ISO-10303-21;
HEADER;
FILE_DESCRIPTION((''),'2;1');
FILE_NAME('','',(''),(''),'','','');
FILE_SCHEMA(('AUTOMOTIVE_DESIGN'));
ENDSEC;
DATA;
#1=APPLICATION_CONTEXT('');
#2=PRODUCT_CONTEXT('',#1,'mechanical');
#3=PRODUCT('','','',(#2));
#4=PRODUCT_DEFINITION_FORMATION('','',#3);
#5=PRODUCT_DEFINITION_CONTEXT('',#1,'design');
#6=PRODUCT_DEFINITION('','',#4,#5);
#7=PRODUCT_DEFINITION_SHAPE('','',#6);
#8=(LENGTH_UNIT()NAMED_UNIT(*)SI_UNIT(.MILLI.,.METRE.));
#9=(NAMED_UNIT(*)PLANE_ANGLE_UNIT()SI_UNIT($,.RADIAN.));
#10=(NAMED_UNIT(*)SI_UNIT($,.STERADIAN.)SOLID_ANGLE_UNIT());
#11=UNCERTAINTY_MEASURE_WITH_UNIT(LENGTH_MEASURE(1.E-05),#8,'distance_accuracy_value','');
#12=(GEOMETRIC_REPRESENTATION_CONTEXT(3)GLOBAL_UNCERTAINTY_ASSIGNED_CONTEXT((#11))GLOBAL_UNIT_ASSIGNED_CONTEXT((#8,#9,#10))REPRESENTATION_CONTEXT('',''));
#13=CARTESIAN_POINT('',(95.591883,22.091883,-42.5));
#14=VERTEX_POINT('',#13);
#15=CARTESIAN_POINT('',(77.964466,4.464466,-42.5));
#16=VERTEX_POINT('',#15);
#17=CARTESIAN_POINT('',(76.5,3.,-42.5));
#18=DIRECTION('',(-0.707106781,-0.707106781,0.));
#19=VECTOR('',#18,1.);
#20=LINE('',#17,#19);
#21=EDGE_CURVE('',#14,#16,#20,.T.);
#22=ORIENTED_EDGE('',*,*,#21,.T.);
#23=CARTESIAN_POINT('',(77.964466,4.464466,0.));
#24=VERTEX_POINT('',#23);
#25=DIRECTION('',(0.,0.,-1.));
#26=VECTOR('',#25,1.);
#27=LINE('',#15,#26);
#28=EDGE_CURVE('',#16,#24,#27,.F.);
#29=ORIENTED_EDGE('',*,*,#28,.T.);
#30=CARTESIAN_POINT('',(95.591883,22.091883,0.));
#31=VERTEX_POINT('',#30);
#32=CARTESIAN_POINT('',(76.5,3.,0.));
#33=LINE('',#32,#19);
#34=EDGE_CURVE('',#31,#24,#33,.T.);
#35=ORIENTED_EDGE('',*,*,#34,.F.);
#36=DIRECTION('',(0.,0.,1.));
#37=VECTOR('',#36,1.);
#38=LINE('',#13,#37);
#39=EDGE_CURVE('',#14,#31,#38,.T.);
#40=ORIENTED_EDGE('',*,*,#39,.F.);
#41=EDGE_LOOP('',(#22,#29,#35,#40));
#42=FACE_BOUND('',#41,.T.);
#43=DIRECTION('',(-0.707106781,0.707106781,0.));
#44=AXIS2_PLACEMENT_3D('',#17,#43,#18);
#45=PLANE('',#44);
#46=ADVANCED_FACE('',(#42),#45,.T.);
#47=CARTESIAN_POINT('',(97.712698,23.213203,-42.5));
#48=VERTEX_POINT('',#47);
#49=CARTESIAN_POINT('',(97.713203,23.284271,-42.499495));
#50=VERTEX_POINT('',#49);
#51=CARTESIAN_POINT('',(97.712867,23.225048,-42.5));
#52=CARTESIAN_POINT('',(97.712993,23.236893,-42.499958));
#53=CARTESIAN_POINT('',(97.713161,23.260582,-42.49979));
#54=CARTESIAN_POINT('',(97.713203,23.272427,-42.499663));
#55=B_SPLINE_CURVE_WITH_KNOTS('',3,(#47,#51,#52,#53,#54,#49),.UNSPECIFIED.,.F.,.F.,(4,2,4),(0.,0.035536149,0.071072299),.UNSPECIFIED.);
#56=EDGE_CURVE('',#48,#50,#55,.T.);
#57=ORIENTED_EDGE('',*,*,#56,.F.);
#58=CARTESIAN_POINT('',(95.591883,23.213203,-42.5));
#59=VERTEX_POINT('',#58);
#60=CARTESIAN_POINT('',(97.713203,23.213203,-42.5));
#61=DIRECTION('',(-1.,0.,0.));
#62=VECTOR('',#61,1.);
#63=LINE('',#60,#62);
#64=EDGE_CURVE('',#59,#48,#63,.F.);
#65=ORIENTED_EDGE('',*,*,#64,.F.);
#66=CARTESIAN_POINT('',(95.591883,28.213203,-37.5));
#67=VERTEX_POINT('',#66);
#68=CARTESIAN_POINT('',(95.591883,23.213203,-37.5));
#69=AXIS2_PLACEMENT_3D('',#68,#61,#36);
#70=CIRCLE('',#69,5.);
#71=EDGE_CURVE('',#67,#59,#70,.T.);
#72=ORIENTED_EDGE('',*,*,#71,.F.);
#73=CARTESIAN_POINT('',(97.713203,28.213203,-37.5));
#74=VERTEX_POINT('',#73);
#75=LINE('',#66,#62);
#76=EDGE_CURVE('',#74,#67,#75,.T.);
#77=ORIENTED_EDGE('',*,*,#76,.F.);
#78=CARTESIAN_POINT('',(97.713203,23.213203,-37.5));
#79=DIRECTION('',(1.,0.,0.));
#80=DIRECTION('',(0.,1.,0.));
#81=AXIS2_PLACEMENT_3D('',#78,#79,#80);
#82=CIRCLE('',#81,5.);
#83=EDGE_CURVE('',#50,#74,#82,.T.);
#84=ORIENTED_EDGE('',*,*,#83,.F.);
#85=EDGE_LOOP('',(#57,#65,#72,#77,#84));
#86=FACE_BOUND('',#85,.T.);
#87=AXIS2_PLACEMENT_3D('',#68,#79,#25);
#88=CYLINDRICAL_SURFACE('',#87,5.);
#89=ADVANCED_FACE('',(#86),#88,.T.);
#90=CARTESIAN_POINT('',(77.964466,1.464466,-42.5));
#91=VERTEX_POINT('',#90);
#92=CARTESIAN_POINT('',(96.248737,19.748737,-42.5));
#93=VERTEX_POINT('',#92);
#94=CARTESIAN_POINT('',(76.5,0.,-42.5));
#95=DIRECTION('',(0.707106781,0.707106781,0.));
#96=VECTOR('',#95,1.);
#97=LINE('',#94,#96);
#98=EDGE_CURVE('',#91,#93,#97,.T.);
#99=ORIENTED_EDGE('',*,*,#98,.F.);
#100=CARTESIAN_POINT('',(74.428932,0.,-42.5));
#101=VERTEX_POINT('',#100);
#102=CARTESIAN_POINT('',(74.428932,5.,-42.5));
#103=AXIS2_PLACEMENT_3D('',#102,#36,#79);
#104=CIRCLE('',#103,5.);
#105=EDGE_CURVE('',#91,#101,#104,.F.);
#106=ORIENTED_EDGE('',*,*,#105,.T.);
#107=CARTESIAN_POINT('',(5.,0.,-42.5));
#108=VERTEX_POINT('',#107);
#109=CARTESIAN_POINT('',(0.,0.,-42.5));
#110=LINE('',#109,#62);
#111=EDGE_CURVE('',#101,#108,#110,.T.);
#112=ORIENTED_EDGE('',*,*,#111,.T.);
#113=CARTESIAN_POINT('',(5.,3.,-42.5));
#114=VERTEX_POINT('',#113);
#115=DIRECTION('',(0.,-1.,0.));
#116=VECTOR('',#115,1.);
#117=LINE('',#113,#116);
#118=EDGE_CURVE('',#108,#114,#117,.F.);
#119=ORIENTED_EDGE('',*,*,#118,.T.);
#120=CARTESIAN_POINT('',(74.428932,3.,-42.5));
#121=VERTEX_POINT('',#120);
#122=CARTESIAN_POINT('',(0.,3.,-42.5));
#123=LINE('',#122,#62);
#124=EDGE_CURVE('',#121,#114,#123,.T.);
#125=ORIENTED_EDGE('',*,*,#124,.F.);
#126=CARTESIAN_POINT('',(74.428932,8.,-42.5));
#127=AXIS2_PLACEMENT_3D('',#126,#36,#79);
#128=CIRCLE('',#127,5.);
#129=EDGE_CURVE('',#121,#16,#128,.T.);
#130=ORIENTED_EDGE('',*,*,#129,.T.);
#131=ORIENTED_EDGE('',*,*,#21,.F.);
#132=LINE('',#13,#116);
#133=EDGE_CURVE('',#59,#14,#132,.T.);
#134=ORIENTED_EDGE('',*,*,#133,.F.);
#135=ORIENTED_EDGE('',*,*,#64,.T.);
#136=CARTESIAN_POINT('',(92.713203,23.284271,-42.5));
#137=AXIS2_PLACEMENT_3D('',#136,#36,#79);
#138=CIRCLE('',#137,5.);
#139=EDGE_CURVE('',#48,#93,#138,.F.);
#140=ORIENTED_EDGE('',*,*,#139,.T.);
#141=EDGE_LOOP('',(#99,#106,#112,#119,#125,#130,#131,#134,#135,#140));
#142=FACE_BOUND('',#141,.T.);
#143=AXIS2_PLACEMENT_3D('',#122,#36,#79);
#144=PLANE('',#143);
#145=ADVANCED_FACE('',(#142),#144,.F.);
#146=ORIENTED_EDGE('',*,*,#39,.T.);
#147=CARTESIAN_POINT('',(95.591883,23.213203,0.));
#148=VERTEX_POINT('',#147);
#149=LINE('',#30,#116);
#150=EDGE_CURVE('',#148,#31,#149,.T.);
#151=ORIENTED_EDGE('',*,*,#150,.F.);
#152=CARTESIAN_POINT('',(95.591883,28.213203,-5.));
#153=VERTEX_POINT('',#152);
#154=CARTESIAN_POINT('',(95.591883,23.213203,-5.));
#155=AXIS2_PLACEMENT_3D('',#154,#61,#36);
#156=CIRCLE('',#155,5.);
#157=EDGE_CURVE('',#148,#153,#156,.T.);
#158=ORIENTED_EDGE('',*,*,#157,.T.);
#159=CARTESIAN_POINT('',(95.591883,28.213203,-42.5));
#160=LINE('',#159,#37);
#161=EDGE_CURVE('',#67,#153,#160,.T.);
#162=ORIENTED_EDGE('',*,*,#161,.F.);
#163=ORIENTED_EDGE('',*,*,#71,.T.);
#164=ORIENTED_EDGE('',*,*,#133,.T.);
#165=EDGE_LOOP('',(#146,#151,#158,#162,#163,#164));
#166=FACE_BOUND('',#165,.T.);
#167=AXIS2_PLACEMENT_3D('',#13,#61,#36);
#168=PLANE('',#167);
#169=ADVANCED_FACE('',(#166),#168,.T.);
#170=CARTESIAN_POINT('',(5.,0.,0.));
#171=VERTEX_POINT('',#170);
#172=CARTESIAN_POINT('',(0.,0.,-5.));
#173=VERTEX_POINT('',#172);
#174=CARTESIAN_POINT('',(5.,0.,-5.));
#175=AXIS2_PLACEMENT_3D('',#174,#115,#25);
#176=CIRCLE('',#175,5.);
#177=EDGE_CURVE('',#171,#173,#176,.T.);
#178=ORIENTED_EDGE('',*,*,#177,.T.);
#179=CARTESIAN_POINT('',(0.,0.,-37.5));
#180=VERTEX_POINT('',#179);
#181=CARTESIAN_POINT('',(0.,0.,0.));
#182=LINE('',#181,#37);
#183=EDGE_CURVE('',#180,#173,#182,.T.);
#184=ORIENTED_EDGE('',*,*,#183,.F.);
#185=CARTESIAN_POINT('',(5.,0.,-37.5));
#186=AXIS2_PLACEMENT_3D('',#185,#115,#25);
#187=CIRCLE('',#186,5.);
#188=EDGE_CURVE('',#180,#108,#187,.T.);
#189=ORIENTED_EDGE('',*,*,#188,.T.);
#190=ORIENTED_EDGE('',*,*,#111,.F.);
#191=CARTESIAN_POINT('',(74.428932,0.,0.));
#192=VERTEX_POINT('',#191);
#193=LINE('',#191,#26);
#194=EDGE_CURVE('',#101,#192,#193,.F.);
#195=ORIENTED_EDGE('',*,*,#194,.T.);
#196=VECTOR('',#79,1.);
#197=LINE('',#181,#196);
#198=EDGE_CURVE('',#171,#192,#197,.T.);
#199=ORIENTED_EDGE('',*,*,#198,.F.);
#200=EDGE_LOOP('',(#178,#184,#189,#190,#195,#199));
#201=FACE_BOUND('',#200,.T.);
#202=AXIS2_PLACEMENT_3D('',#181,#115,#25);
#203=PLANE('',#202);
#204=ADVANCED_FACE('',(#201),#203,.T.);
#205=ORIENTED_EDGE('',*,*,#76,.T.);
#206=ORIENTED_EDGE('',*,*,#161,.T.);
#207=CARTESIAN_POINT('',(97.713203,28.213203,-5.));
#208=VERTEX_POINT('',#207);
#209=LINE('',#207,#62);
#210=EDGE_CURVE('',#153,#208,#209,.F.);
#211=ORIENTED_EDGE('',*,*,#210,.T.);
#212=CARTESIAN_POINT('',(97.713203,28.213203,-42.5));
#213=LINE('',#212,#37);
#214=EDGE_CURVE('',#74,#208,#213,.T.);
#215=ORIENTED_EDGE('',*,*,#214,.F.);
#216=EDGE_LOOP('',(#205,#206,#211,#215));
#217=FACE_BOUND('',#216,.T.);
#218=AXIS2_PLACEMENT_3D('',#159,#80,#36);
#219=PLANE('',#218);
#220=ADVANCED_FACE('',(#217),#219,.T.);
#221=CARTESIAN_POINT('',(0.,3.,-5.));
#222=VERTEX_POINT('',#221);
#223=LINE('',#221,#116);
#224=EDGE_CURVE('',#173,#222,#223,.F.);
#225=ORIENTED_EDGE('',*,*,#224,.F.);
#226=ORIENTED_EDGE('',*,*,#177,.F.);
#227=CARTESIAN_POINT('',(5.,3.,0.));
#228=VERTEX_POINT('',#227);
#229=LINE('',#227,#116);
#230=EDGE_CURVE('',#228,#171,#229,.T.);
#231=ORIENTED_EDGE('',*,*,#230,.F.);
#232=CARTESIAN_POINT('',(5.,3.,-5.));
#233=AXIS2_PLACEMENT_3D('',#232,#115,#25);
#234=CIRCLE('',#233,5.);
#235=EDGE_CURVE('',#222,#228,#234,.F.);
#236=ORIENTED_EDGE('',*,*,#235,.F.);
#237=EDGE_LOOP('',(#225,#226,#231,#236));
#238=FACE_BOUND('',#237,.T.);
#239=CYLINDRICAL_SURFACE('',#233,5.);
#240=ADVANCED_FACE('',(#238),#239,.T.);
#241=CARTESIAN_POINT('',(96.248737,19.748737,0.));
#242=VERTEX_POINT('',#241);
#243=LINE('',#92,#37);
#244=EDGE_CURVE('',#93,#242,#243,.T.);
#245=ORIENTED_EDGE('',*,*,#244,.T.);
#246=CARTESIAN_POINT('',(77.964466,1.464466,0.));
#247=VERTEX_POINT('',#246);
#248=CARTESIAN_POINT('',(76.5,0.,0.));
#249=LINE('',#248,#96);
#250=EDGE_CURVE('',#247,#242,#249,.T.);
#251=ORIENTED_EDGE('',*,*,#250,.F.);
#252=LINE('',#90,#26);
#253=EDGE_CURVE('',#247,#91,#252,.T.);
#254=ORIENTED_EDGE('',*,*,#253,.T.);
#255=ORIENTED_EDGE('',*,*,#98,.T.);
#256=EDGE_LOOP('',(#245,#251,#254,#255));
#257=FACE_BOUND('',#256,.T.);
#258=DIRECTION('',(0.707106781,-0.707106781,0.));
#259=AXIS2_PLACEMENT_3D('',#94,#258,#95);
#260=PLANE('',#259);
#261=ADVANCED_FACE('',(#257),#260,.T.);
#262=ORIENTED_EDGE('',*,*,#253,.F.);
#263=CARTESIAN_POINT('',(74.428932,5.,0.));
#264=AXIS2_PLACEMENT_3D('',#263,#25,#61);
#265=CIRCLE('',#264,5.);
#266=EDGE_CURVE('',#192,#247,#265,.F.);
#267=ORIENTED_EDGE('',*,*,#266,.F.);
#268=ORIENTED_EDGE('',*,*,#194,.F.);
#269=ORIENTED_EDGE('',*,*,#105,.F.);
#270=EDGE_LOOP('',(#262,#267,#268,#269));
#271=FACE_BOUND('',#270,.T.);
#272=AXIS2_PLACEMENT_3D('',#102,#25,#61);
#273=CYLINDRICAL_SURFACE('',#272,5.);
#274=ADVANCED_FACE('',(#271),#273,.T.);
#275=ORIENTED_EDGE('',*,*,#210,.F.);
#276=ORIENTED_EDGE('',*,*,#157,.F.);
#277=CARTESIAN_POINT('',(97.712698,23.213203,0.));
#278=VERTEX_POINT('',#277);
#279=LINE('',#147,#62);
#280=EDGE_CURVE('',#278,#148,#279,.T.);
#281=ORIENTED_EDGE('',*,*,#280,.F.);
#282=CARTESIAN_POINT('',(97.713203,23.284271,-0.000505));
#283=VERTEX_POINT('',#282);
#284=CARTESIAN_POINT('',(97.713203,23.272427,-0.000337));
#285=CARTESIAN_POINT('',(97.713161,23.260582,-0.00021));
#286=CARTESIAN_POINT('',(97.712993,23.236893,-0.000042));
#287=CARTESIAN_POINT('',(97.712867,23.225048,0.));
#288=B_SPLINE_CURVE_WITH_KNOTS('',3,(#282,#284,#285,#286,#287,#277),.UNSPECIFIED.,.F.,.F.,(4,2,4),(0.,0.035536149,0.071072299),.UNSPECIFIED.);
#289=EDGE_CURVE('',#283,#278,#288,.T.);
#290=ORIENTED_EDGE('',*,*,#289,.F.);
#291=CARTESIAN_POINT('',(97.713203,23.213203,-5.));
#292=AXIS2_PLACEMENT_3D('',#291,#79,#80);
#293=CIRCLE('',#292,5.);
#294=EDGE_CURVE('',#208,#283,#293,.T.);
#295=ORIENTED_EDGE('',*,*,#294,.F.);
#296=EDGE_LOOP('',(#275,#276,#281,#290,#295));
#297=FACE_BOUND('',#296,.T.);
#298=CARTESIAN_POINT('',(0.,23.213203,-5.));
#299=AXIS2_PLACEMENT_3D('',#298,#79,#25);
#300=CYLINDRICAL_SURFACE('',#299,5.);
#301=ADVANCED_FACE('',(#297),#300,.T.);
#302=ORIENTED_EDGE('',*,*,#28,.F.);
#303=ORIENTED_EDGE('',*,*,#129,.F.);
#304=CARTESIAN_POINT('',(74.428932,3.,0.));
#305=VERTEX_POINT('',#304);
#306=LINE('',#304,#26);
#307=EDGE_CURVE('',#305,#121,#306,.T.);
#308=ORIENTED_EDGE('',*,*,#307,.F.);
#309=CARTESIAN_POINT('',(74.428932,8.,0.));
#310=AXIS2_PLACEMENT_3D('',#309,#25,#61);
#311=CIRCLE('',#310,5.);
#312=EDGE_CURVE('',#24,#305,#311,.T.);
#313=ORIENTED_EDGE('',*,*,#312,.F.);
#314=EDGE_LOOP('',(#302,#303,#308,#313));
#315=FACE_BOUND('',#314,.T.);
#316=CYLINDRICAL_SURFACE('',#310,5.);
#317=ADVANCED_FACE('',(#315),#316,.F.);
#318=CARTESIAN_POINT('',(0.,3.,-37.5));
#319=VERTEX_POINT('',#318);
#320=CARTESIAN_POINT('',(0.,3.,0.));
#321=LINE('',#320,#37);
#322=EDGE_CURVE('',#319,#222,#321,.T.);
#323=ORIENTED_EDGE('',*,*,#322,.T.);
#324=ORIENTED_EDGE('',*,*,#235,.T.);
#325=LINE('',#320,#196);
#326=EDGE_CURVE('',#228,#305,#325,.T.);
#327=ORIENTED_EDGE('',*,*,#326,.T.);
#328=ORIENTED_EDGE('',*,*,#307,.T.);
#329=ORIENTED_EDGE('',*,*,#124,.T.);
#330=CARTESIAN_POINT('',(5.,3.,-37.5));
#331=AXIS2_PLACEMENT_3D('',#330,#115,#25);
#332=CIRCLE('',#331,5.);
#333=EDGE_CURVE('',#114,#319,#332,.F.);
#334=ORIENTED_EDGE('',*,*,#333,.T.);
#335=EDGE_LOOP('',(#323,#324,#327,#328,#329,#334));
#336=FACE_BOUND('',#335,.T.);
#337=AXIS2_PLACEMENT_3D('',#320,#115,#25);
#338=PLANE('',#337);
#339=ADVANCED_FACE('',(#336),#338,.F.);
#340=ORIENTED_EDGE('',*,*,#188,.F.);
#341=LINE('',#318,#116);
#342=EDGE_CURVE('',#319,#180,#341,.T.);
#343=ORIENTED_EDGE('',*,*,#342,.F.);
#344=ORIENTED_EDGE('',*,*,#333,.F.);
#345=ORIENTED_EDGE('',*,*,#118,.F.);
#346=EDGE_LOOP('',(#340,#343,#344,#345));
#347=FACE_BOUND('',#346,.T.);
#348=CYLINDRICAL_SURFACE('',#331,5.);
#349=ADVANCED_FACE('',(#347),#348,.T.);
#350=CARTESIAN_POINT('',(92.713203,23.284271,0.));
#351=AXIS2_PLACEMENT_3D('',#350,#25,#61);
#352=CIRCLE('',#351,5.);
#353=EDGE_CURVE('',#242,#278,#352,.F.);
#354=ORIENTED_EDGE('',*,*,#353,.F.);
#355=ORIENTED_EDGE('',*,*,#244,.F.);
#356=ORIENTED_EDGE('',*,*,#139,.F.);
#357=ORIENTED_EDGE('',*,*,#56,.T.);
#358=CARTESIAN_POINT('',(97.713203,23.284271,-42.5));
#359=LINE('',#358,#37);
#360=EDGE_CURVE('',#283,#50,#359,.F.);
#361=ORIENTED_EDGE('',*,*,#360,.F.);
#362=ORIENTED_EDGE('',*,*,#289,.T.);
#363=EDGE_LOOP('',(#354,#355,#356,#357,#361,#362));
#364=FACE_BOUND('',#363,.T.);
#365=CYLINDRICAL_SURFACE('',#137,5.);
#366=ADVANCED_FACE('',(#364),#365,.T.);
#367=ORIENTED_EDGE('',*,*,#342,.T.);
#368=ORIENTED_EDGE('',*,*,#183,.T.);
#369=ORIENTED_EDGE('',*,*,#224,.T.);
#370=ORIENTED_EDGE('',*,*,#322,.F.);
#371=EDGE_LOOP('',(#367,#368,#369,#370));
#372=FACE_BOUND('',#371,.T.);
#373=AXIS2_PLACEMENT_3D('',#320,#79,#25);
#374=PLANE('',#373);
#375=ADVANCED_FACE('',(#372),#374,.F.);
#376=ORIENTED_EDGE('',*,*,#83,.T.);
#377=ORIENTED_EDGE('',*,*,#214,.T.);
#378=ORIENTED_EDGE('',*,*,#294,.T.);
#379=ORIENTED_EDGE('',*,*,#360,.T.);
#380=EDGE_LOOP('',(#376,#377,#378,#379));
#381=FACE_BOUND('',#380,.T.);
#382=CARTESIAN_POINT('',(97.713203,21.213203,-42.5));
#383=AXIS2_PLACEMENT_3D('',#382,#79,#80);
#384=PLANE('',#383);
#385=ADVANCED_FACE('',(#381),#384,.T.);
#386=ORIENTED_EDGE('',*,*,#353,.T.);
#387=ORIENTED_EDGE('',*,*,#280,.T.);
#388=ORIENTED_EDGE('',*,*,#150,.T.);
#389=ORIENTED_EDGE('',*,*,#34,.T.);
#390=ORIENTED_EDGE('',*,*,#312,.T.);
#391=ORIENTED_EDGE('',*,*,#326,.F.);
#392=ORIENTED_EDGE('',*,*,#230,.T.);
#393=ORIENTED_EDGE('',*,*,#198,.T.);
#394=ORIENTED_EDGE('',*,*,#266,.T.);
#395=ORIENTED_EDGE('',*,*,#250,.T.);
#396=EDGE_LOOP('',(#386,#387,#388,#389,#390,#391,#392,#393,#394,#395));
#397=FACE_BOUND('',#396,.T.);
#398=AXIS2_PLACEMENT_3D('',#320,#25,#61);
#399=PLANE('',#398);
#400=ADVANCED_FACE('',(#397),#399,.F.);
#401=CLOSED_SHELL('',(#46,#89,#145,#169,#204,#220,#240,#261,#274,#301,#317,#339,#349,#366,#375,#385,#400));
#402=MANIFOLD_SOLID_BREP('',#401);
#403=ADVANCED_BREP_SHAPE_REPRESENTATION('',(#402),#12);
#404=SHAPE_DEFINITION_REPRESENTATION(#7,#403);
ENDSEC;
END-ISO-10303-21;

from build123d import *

# Parameters (mm, degrees)
SKETCH1_W           = 76.5
SKETCH1_H           = 42.5
BOSS_EXTRUDE1_DEPTH = 3
BOSS_EXTRUDE2_DEPTH = 42.5
FILLET1_R           = 5
FILLET2_R           = 5
FILLET3_R           = 5
FILLET4_R           = 5


with BuildPart() as part:
    # Sketch1 → Boss-Extrude1 (new body)
    with BuildSketch(Plane(origin=(0, 0, 0), x_dir=(1, 0, 0), z_dir=(0, 1, 0))):
        with Locations((38.25, 21.25)):
            Rectangle(SKETCH1_W, SKETCH1_H)
    extrude(amount=BOSS_EXTRUDE1_DEPTH)

    # Sketch2 → Boss-Extrude2 (add)
    with BuildSketch(Plane.XY):
        Polygon((76.5, 3), (76.5, 0), (97.713203436, 21.213203436), (97.713203436, 28.213203436), (95.591883092, 28.213203436), (95.591883092, 22.091883092), align=None)
    extrude(amount=-BOSS_EXTRUDE2_DEPTH)

    # Fillet1
    fillet1_edges = [part.edges().sort_by_distance(p)[0] for p in [
        (97.713203436, 21.213203436, -21.25),
        (76.5, 0, -21.25),
    ]]
    fillet(fillet1_edges, radius=FILLET1_R)

    # Fillet2
    fillet2_edges = [part.edges().sort_by_distance(p)[0] for p in [
        (0, 1.5, -42.5),
        (0, 1.5, 0),
    ]]
    fillet(fillet2_edges, radius=FILLET2_R)

    # Fillet3
    fillet3_edges = [part.edges().sort_by_distance(p)[0] for p in [
        (96.652543264, 28.213203436, 0),
        (96.652543264, 28.213203436, -42.5),
    ]]
    fillet(fillet3_edges, radius=FILLET3_R)

    # Fillet4
    fillet4_edges = [part.edges().sort_by_distance(p)[0] for p in [
        (76.5, 3, -21.25),
    ]]
    fillet(fillet4_edges, radius=FILLET4_R)


solid = part.part
